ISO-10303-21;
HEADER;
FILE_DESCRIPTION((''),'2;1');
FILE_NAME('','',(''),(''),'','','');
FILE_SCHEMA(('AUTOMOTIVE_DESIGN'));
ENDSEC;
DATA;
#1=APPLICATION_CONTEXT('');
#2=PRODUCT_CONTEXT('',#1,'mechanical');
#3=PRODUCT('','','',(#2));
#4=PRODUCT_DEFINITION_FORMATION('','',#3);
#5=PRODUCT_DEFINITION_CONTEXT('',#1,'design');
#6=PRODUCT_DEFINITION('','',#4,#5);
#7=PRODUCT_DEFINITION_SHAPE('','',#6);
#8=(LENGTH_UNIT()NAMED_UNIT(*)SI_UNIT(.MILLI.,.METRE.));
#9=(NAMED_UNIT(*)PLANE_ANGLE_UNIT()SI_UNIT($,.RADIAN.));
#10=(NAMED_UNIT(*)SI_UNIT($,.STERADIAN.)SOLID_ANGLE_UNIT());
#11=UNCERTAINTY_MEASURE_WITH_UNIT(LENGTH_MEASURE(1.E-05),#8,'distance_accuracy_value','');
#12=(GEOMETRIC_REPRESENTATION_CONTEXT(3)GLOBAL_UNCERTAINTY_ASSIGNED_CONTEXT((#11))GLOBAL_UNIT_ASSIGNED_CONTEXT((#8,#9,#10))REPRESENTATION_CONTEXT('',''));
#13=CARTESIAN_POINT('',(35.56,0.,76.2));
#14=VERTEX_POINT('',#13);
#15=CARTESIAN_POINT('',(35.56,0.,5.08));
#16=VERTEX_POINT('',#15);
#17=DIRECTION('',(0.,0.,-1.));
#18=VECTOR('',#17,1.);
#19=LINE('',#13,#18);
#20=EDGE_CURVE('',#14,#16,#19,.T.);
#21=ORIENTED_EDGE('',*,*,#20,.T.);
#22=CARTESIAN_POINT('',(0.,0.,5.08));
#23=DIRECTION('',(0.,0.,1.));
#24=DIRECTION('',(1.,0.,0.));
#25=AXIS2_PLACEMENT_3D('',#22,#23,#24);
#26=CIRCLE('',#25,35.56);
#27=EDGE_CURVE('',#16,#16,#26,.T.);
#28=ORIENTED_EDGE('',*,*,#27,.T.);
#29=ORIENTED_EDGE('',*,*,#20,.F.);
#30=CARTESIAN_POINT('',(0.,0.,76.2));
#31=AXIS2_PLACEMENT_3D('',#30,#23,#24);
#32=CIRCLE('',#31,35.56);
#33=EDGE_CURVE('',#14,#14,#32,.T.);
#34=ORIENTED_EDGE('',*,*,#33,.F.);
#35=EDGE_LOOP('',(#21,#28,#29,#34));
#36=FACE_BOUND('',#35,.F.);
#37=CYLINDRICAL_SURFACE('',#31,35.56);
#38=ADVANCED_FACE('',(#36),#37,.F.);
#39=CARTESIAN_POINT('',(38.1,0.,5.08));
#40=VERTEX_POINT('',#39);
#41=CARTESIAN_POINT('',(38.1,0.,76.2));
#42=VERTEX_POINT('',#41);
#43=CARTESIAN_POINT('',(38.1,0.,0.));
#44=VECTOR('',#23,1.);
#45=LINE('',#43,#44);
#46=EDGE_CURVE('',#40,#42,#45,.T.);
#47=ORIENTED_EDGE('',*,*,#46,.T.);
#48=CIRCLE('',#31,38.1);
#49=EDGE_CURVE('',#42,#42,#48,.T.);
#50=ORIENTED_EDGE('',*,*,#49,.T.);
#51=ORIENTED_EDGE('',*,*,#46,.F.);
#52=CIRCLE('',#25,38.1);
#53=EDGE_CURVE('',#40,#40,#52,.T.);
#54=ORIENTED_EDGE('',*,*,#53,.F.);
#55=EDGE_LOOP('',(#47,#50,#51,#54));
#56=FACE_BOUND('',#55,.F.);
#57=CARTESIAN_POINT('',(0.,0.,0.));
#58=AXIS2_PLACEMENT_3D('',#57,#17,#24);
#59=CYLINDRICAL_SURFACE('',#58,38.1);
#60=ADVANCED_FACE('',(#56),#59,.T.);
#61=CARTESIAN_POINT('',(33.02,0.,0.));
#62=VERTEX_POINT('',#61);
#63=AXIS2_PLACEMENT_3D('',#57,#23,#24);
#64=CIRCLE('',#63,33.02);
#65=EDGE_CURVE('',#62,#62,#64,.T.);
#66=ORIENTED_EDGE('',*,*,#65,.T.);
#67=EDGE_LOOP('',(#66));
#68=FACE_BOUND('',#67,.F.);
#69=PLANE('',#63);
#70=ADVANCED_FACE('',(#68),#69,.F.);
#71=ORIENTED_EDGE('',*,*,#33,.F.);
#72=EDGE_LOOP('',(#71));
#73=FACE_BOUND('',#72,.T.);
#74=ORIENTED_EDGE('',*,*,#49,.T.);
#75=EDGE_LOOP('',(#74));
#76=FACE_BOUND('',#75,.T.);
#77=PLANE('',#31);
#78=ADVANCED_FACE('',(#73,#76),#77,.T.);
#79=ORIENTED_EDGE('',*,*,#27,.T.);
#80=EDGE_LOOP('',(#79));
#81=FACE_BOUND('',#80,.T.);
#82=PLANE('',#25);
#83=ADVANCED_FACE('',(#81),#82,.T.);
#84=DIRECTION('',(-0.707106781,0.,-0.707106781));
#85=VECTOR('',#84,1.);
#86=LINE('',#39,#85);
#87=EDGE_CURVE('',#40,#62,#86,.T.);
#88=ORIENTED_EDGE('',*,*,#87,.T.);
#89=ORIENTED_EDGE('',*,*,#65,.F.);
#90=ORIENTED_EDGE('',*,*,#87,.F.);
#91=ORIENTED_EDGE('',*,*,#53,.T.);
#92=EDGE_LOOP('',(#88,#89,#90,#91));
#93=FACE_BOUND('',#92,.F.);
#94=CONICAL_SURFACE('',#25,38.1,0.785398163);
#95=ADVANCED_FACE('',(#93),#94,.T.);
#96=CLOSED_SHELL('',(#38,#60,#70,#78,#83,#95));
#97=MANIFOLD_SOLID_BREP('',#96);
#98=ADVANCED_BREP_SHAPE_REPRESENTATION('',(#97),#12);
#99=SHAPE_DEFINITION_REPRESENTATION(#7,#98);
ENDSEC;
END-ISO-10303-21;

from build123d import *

# Parameters (mm, degrees)
F0_R     = 38.1
F1_DEPTH = 76.2
F2_R     = 35.56
F3_DEPTH = 71.12
F4_SIZE  = 5.08


with BuildPart() as f1:
    # F0 (on Top) → F1 (new body)
    with BuildSketch(Plane.XY):
        Circle(F0_R)
    extrude(amount=F1_DEPTH)

    # F2 (on face) → F3 (cut)
    with BuildSketch(Plane.XY.offset(76.2)):
        Circle(F2_R)
    extrude(amount=-F3_DEPTH, mode=Mode.SUBTRACT)

    # F4
    f4_edges = [f1.edges().sort_by_distance(p)[0] for p in [
        (-38.1, 0, 0),
    ]]
    chamfer(f4_edges, length=F4_SIZE)


solid = f1.part
